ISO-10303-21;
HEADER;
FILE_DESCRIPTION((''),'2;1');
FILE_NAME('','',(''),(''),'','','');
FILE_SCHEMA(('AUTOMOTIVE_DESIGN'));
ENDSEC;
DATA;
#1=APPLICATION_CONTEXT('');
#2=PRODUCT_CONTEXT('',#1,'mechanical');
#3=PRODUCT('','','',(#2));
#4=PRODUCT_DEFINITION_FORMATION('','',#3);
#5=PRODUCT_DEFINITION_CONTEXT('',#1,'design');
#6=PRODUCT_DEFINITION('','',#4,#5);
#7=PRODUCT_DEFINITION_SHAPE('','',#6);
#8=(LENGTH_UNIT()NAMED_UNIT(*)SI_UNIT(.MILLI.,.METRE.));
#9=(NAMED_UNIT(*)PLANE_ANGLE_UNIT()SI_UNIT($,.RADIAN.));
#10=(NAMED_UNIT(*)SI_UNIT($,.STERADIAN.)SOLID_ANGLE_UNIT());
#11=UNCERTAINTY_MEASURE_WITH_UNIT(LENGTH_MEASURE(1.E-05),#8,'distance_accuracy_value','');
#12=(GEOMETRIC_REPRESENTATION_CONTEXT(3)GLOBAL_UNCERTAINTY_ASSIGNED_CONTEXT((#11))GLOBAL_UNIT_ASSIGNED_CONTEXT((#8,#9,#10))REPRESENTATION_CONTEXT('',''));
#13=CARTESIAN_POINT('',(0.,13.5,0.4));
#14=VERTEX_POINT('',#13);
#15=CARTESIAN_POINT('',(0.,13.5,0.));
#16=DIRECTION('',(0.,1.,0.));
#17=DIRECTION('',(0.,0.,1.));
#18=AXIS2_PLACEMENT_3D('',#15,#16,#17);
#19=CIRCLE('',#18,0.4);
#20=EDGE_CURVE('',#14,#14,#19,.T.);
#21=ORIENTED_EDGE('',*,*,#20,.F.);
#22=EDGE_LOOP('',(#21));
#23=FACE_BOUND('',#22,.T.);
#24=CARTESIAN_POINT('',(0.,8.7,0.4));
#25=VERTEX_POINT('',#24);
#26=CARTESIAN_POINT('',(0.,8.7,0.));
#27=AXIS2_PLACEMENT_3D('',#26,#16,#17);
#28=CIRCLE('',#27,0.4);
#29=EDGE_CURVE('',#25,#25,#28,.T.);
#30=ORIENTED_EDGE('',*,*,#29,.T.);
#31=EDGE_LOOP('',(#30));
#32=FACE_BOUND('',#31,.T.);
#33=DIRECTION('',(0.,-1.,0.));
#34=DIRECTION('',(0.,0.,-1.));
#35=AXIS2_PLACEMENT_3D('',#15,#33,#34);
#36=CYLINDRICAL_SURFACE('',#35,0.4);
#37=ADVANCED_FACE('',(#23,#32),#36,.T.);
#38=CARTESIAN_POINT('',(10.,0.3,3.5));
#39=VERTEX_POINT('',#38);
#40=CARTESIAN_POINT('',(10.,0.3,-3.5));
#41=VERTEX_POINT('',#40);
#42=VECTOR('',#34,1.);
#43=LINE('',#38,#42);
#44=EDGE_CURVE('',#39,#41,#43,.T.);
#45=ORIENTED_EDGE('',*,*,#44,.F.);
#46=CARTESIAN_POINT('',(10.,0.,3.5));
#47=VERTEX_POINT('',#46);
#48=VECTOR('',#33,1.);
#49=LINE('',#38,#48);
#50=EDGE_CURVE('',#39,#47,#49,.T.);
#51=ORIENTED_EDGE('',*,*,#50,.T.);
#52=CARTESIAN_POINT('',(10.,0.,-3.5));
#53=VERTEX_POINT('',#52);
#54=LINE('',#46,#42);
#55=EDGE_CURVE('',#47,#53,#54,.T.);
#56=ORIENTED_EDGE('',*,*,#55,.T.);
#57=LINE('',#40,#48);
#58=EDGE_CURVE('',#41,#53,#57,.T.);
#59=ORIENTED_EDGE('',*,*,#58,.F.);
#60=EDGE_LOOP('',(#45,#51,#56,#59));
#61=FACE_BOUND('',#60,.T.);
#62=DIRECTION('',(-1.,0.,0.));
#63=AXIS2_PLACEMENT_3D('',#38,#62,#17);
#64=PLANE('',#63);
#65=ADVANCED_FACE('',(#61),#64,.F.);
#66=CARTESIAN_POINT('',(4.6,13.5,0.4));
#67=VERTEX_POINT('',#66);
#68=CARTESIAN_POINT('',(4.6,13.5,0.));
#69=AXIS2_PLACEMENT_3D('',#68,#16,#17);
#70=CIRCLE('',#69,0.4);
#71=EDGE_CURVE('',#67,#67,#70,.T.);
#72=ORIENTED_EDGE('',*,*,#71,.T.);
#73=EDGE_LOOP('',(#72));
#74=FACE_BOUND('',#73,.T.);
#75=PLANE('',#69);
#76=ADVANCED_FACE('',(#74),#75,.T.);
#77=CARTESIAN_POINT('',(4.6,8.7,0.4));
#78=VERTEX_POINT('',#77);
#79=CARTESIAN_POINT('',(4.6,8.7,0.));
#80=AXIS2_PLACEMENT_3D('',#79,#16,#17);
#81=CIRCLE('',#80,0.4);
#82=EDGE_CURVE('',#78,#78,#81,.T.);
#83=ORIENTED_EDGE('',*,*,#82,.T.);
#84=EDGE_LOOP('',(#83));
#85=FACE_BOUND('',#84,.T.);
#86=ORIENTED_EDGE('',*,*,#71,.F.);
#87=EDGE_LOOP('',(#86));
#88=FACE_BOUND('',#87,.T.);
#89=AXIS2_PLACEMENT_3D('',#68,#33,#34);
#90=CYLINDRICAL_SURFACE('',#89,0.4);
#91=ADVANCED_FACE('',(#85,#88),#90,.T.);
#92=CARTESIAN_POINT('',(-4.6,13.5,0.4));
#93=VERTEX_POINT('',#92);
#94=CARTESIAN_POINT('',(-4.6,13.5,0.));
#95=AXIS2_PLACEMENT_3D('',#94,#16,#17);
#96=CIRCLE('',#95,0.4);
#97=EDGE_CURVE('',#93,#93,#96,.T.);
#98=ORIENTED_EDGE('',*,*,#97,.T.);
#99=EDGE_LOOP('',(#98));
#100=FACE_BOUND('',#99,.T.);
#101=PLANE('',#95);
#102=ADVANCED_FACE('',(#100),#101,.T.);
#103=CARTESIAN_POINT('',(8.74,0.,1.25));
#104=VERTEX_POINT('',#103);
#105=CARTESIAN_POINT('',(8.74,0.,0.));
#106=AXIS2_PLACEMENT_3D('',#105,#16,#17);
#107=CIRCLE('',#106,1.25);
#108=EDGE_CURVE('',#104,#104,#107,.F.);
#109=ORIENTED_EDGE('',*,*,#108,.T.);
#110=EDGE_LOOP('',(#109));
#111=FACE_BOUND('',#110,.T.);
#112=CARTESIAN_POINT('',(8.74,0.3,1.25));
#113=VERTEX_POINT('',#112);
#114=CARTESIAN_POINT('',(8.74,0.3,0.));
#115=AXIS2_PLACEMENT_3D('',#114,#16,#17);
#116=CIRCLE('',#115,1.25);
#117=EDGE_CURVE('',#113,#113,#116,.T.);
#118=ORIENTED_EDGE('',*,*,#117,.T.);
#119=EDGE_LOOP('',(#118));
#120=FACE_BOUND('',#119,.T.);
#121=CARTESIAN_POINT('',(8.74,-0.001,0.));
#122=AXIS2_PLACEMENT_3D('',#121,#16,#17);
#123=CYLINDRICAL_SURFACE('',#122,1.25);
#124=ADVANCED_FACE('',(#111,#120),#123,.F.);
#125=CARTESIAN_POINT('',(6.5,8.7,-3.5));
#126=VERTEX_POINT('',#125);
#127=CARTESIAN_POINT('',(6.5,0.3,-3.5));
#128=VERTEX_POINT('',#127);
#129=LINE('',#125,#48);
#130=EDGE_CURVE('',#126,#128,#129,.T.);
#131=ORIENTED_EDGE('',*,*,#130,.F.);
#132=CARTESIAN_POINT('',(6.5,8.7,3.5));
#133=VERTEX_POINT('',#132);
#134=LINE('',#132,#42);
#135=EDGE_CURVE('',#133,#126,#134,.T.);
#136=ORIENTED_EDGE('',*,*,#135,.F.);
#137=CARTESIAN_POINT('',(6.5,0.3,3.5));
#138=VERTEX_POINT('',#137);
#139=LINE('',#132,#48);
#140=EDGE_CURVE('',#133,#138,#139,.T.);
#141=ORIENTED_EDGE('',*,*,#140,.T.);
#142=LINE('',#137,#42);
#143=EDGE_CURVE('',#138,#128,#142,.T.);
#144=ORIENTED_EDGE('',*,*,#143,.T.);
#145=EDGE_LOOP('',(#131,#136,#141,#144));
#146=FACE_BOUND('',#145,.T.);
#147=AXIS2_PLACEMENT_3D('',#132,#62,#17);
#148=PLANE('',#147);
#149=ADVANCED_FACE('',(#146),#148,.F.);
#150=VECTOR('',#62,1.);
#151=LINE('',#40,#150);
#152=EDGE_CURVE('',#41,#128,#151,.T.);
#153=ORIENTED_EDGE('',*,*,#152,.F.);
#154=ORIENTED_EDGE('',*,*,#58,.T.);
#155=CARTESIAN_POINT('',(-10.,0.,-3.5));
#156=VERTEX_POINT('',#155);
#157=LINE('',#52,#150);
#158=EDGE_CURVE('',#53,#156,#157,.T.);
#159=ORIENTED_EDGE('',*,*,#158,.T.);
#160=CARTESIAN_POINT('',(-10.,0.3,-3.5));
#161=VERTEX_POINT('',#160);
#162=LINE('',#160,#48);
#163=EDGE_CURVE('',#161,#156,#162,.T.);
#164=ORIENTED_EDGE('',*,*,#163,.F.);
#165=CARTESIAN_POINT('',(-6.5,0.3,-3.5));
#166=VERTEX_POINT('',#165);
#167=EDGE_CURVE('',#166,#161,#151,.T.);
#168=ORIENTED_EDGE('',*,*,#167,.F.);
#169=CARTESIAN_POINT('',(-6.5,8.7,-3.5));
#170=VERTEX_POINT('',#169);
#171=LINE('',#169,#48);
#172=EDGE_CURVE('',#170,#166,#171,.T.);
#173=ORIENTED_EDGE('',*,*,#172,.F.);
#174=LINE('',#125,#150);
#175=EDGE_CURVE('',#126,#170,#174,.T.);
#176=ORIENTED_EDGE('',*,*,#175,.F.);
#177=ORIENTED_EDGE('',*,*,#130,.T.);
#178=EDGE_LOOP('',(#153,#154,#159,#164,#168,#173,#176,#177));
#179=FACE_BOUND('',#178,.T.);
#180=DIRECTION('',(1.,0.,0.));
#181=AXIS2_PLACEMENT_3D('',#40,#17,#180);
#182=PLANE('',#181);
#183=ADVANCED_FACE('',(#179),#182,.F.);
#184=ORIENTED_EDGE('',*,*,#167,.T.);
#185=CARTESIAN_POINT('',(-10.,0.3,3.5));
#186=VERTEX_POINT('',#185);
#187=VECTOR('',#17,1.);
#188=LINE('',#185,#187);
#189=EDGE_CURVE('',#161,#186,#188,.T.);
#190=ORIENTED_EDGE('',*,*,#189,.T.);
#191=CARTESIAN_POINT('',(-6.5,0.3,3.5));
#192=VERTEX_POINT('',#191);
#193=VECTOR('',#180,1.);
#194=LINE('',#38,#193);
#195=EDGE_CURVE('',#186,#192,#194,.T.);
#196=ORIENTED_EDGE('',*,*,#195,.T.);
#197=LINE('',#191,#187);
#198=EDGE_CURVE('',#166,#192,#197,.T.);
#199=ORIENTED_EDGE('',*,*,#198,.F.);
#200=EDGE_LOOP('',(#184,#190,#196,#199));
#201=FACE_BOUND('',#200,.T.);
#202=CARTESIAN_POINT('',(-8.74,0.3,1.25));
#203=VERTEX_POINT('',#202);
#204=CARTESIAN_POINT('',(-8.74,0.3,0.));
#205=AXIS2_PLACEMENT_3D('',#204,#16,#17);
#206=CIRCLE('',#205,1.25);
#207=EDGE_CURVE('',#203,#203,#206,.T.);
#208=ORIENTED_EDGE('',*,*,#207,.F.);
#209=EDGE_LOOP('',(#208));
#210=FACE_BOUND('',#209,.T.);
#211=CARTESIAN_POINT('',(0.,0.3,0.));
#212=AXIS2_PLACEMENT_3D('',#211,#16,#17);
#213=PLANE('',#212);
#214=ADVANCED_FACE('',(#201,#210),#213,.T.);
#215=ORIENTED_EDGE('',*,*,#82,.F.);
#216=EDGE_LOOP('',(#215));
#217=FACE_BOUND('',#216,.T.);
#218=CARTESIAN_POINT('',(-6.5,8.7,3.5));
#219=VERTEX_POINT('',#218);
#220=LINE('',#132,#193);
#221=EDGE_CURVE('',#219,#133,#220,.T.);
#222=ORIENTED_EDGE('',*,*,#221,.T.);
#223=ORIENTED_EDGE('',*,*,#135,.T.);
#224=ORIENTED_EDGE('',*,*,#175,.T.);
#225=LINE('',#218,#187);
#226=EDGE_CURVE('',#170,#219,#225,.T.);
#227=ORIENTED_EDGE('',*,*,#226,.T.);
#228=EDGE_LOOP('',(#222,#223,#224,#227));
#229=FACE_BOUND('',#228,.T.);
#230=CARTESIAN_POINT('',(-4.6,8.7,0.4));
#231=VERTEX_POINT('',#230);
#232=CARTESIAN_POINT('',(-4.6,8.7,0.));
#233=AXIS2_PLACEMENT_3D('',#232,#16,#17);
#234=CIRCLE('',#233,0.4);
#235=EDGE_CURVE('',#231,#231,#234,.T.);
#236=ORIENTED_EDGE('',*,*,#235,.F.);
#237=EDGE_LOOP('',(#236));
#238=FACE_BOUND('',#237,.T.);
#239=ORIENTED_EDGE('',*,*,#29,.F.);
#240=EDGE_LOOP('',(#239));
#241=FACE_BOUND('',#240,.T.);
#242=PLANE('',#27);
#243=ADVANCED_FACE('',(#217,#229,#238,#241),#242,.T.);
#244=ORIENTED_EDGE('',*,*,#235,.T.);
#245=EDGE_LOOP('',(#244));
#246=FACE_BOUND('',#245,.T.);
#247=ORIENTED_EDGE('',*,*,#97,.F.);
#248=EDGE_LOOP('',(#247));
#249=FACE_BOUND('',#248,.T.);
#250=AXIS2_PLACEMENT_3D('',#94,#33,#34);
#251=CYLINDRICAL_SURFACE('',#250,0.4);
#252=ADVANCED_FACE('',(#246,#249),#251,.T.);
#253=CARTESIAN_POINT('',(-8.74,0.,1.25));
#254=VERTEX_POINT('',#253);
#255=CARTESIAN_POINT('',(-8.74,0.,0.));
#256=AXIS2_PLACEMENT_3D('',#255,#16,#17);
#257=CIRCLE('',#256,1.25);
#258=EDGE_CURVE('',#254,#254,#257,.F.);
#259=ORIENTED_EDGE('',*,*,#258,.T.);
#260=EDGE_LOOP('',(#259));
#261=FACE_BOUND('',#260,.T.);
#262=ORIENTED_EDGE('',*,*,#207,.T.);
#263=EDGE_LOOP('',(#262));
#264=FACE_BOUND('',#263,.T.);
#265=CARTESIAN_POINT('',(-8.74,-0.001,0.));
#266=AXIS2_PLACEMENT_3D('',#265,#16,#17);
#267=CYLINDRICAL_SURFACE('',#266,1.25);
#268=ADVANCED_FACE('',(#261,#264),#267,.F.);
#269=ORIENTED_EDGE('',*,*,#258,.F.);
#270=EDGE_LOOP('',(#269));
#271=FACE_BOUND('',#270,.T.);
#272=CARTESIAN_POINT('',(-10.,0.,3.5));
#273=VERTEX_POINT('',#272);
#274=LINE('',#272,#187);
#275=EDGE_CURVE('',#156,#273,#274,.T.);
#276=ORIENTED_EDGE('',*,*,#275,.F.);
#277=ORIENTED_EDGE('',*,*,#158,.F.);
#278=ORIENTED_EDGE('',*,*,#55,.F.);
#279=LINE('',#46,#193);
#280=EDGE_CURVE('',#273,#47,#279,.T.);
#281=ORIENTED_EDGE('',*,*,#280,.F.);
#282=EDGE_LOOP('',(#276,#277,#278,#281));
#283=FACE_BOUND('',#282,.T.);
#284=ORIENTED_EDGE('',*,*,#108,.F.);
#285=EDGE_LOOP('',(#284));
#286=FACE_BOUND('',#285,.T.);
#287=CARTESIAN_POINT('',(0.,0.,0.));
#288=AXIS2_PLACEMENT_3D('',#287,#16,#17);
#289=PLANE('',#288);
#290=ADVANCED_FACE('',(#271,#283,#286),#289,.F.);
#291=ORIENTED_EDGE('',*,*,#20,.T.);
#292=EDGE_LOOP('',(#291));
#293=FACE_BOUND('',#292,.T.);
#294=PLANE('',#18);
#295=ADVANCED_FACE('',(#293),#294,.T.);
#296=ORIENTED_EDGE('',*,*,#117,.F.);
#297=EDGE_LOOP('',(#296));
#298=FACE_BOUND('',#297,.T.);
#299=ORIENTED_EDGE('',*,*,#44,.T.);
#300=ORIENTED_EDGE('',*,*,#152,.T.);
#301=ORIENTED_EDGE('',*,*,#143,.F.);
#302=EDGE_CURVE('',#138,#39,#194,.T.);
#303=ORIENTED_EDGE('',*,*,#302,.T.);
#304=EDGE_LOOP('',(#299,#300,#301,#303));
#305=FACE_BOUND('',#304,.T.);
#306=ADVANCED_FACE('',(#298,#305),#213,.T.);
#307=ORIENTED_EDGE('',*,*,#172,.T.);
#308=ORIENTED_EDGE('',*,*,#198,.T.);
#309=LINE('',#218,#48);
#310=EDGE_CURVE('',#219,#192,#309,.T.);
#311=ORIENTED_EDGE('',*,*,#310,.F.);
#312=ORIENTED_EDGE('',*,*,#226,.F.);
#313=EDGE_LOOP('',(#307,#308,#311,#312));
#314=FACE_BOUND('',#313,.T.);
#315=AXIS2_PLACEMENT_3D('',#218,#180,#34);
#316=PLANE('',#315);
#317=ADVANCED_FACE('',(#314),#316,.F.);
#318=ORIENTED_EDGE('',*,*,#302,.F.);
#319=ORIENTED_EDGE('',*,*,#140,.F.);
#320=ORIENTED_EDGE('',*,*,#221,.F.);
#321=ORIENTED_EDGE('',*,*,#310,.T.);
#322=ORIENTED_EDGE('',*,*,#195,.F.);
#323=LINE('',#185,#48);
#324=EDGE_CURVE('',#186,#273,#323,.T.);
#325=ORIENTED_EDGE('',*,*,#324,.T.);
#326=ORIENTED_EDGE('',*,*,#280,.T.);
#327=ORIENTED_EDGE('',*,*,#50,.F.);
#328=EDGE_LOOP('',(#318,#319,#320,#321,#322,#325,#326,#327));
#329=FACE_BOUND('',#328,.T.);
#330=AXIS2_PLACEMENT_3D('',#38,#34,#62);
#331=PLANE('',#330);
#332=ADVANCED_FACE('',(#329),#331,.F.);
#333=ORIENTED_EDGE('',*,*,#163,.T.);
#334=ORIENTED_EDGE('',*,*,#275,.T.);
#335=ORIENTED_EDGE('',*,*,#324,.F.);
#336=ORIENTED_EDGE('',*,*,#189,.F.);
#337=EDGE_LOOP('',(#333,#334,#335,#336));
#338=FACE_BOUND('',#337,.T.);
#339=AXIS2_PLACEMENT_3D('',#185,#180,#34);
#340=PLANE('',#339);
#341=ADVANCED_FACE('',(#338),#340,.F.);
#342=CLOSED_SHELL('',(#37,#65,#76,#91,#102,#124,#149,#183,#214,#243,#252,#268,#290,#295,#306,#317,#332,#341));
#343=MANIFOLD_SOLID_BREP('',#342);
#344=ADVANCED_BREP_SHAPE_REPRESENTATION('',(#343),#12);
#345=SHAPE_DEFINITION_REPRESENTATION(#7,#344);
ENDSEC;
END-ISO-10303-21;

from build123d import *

# Parameters (mm, degrees)
SKETCH1_W           = 20
SKETCH1_H           = 7
BOSS_EXTRUDE1_DEPTH = 0.3
SKETCH2_W           = 13
SKETCH2_H           = 7
BOSS_EXTRUDE2_DEPTH = 8.4
CUT_EXTRUDE5_REACH  = 2.3
SKETCH3_R           = 1.25
SKETCH4_R           = 0.4
BOSS_EXTRUDE3_DEPTH = 4.8


with BuildPart() as part:
    # Sketch1 → Boss-Extrude1 (new body)
    with BuildSketch(Plane(origin=(0, 0, 0), x_dir=(1, 0, 0), z_dir=(0, 1, 0))):
        Rectangle(SKETCH1_W, SKETCH1_H)
    extrude(amount=BOSS_EXTRUDE1_DEPTH)

    # Sketch2 → Boss-Extrude2 (add)
    with BuildSketch(Plane(origin=(0, 0.3, 0), x_dir=(1, 0, 0), z_dir=(0, 1, 0))):
        Rectangle(SKETCH2_W, SKETCH2_H)
    extrude(amount=BOSS_EXTRUDE2_DEPTH)

    # Sketch3 → Cut-Extrude5 (cut, up to next)
    with BuildSketch(Plane(origin=(0, 0.3, 0), x_dir=(1, 0, 0), z_dir=(0, 1, 0)), mode=Mode.PRIVATE) as cut_extrude5_sk1:
        with Locations((-8.74, 0)):
            Circle(SKETCH3_R)
    cut_extrude5_tool1 = extrude(cut_extrude5_sk1.sketch, amount=-CUT_EXTRUDE5_REACH, mode=Mode.PRIVATE) & part.part
    add(cut_extrude5_tool1.solids().sort_by_distance((-8.74, 0.3, 0))[0], mode=Mode.SUBTRACT)
    # Sketch3 → Cut-Extrude5 (cut, up to next)
    with BuildSketch(Plane(origin=(0, 0.3, 0), x_dir=(1, 0, 0), z_dir=(0, 1, 0)), mode=Mode.PRIVATE) as cut_extrude5_sk2:
        with Locations((8.74, 0)):
            Circle(SKETCH3_R)
    cut_extrude5_tool2 = extrude(cut_extrude5_sk2.sketch, amount=-CUT_EXTRUDE5_REACH, mode=Mode.PRIVATE) & part.part
    add(cut_extrude5_tool2.solids().sort_by_distance((8.74, 0.3, 0))[0], mode=Mode.SUBTRACT)

    # Sketch4 → Boss-Extrude3 (add)
    with BuildSketch(Plane(origin=(0, 8.7, 0), x_dir=(1, 0, 0), z_dir=(0, 1, 0))):
        with Locations((-4.6, 0)):
            Circle(SKETCH4_R)
        Circle(SKETCH4_R)
        with Locations((4.6, 0)):
            Circle(SKETCH4_R)
    extrude(amount=BOSS_EXTRUDE3_DEPTH)


solid = part.part
